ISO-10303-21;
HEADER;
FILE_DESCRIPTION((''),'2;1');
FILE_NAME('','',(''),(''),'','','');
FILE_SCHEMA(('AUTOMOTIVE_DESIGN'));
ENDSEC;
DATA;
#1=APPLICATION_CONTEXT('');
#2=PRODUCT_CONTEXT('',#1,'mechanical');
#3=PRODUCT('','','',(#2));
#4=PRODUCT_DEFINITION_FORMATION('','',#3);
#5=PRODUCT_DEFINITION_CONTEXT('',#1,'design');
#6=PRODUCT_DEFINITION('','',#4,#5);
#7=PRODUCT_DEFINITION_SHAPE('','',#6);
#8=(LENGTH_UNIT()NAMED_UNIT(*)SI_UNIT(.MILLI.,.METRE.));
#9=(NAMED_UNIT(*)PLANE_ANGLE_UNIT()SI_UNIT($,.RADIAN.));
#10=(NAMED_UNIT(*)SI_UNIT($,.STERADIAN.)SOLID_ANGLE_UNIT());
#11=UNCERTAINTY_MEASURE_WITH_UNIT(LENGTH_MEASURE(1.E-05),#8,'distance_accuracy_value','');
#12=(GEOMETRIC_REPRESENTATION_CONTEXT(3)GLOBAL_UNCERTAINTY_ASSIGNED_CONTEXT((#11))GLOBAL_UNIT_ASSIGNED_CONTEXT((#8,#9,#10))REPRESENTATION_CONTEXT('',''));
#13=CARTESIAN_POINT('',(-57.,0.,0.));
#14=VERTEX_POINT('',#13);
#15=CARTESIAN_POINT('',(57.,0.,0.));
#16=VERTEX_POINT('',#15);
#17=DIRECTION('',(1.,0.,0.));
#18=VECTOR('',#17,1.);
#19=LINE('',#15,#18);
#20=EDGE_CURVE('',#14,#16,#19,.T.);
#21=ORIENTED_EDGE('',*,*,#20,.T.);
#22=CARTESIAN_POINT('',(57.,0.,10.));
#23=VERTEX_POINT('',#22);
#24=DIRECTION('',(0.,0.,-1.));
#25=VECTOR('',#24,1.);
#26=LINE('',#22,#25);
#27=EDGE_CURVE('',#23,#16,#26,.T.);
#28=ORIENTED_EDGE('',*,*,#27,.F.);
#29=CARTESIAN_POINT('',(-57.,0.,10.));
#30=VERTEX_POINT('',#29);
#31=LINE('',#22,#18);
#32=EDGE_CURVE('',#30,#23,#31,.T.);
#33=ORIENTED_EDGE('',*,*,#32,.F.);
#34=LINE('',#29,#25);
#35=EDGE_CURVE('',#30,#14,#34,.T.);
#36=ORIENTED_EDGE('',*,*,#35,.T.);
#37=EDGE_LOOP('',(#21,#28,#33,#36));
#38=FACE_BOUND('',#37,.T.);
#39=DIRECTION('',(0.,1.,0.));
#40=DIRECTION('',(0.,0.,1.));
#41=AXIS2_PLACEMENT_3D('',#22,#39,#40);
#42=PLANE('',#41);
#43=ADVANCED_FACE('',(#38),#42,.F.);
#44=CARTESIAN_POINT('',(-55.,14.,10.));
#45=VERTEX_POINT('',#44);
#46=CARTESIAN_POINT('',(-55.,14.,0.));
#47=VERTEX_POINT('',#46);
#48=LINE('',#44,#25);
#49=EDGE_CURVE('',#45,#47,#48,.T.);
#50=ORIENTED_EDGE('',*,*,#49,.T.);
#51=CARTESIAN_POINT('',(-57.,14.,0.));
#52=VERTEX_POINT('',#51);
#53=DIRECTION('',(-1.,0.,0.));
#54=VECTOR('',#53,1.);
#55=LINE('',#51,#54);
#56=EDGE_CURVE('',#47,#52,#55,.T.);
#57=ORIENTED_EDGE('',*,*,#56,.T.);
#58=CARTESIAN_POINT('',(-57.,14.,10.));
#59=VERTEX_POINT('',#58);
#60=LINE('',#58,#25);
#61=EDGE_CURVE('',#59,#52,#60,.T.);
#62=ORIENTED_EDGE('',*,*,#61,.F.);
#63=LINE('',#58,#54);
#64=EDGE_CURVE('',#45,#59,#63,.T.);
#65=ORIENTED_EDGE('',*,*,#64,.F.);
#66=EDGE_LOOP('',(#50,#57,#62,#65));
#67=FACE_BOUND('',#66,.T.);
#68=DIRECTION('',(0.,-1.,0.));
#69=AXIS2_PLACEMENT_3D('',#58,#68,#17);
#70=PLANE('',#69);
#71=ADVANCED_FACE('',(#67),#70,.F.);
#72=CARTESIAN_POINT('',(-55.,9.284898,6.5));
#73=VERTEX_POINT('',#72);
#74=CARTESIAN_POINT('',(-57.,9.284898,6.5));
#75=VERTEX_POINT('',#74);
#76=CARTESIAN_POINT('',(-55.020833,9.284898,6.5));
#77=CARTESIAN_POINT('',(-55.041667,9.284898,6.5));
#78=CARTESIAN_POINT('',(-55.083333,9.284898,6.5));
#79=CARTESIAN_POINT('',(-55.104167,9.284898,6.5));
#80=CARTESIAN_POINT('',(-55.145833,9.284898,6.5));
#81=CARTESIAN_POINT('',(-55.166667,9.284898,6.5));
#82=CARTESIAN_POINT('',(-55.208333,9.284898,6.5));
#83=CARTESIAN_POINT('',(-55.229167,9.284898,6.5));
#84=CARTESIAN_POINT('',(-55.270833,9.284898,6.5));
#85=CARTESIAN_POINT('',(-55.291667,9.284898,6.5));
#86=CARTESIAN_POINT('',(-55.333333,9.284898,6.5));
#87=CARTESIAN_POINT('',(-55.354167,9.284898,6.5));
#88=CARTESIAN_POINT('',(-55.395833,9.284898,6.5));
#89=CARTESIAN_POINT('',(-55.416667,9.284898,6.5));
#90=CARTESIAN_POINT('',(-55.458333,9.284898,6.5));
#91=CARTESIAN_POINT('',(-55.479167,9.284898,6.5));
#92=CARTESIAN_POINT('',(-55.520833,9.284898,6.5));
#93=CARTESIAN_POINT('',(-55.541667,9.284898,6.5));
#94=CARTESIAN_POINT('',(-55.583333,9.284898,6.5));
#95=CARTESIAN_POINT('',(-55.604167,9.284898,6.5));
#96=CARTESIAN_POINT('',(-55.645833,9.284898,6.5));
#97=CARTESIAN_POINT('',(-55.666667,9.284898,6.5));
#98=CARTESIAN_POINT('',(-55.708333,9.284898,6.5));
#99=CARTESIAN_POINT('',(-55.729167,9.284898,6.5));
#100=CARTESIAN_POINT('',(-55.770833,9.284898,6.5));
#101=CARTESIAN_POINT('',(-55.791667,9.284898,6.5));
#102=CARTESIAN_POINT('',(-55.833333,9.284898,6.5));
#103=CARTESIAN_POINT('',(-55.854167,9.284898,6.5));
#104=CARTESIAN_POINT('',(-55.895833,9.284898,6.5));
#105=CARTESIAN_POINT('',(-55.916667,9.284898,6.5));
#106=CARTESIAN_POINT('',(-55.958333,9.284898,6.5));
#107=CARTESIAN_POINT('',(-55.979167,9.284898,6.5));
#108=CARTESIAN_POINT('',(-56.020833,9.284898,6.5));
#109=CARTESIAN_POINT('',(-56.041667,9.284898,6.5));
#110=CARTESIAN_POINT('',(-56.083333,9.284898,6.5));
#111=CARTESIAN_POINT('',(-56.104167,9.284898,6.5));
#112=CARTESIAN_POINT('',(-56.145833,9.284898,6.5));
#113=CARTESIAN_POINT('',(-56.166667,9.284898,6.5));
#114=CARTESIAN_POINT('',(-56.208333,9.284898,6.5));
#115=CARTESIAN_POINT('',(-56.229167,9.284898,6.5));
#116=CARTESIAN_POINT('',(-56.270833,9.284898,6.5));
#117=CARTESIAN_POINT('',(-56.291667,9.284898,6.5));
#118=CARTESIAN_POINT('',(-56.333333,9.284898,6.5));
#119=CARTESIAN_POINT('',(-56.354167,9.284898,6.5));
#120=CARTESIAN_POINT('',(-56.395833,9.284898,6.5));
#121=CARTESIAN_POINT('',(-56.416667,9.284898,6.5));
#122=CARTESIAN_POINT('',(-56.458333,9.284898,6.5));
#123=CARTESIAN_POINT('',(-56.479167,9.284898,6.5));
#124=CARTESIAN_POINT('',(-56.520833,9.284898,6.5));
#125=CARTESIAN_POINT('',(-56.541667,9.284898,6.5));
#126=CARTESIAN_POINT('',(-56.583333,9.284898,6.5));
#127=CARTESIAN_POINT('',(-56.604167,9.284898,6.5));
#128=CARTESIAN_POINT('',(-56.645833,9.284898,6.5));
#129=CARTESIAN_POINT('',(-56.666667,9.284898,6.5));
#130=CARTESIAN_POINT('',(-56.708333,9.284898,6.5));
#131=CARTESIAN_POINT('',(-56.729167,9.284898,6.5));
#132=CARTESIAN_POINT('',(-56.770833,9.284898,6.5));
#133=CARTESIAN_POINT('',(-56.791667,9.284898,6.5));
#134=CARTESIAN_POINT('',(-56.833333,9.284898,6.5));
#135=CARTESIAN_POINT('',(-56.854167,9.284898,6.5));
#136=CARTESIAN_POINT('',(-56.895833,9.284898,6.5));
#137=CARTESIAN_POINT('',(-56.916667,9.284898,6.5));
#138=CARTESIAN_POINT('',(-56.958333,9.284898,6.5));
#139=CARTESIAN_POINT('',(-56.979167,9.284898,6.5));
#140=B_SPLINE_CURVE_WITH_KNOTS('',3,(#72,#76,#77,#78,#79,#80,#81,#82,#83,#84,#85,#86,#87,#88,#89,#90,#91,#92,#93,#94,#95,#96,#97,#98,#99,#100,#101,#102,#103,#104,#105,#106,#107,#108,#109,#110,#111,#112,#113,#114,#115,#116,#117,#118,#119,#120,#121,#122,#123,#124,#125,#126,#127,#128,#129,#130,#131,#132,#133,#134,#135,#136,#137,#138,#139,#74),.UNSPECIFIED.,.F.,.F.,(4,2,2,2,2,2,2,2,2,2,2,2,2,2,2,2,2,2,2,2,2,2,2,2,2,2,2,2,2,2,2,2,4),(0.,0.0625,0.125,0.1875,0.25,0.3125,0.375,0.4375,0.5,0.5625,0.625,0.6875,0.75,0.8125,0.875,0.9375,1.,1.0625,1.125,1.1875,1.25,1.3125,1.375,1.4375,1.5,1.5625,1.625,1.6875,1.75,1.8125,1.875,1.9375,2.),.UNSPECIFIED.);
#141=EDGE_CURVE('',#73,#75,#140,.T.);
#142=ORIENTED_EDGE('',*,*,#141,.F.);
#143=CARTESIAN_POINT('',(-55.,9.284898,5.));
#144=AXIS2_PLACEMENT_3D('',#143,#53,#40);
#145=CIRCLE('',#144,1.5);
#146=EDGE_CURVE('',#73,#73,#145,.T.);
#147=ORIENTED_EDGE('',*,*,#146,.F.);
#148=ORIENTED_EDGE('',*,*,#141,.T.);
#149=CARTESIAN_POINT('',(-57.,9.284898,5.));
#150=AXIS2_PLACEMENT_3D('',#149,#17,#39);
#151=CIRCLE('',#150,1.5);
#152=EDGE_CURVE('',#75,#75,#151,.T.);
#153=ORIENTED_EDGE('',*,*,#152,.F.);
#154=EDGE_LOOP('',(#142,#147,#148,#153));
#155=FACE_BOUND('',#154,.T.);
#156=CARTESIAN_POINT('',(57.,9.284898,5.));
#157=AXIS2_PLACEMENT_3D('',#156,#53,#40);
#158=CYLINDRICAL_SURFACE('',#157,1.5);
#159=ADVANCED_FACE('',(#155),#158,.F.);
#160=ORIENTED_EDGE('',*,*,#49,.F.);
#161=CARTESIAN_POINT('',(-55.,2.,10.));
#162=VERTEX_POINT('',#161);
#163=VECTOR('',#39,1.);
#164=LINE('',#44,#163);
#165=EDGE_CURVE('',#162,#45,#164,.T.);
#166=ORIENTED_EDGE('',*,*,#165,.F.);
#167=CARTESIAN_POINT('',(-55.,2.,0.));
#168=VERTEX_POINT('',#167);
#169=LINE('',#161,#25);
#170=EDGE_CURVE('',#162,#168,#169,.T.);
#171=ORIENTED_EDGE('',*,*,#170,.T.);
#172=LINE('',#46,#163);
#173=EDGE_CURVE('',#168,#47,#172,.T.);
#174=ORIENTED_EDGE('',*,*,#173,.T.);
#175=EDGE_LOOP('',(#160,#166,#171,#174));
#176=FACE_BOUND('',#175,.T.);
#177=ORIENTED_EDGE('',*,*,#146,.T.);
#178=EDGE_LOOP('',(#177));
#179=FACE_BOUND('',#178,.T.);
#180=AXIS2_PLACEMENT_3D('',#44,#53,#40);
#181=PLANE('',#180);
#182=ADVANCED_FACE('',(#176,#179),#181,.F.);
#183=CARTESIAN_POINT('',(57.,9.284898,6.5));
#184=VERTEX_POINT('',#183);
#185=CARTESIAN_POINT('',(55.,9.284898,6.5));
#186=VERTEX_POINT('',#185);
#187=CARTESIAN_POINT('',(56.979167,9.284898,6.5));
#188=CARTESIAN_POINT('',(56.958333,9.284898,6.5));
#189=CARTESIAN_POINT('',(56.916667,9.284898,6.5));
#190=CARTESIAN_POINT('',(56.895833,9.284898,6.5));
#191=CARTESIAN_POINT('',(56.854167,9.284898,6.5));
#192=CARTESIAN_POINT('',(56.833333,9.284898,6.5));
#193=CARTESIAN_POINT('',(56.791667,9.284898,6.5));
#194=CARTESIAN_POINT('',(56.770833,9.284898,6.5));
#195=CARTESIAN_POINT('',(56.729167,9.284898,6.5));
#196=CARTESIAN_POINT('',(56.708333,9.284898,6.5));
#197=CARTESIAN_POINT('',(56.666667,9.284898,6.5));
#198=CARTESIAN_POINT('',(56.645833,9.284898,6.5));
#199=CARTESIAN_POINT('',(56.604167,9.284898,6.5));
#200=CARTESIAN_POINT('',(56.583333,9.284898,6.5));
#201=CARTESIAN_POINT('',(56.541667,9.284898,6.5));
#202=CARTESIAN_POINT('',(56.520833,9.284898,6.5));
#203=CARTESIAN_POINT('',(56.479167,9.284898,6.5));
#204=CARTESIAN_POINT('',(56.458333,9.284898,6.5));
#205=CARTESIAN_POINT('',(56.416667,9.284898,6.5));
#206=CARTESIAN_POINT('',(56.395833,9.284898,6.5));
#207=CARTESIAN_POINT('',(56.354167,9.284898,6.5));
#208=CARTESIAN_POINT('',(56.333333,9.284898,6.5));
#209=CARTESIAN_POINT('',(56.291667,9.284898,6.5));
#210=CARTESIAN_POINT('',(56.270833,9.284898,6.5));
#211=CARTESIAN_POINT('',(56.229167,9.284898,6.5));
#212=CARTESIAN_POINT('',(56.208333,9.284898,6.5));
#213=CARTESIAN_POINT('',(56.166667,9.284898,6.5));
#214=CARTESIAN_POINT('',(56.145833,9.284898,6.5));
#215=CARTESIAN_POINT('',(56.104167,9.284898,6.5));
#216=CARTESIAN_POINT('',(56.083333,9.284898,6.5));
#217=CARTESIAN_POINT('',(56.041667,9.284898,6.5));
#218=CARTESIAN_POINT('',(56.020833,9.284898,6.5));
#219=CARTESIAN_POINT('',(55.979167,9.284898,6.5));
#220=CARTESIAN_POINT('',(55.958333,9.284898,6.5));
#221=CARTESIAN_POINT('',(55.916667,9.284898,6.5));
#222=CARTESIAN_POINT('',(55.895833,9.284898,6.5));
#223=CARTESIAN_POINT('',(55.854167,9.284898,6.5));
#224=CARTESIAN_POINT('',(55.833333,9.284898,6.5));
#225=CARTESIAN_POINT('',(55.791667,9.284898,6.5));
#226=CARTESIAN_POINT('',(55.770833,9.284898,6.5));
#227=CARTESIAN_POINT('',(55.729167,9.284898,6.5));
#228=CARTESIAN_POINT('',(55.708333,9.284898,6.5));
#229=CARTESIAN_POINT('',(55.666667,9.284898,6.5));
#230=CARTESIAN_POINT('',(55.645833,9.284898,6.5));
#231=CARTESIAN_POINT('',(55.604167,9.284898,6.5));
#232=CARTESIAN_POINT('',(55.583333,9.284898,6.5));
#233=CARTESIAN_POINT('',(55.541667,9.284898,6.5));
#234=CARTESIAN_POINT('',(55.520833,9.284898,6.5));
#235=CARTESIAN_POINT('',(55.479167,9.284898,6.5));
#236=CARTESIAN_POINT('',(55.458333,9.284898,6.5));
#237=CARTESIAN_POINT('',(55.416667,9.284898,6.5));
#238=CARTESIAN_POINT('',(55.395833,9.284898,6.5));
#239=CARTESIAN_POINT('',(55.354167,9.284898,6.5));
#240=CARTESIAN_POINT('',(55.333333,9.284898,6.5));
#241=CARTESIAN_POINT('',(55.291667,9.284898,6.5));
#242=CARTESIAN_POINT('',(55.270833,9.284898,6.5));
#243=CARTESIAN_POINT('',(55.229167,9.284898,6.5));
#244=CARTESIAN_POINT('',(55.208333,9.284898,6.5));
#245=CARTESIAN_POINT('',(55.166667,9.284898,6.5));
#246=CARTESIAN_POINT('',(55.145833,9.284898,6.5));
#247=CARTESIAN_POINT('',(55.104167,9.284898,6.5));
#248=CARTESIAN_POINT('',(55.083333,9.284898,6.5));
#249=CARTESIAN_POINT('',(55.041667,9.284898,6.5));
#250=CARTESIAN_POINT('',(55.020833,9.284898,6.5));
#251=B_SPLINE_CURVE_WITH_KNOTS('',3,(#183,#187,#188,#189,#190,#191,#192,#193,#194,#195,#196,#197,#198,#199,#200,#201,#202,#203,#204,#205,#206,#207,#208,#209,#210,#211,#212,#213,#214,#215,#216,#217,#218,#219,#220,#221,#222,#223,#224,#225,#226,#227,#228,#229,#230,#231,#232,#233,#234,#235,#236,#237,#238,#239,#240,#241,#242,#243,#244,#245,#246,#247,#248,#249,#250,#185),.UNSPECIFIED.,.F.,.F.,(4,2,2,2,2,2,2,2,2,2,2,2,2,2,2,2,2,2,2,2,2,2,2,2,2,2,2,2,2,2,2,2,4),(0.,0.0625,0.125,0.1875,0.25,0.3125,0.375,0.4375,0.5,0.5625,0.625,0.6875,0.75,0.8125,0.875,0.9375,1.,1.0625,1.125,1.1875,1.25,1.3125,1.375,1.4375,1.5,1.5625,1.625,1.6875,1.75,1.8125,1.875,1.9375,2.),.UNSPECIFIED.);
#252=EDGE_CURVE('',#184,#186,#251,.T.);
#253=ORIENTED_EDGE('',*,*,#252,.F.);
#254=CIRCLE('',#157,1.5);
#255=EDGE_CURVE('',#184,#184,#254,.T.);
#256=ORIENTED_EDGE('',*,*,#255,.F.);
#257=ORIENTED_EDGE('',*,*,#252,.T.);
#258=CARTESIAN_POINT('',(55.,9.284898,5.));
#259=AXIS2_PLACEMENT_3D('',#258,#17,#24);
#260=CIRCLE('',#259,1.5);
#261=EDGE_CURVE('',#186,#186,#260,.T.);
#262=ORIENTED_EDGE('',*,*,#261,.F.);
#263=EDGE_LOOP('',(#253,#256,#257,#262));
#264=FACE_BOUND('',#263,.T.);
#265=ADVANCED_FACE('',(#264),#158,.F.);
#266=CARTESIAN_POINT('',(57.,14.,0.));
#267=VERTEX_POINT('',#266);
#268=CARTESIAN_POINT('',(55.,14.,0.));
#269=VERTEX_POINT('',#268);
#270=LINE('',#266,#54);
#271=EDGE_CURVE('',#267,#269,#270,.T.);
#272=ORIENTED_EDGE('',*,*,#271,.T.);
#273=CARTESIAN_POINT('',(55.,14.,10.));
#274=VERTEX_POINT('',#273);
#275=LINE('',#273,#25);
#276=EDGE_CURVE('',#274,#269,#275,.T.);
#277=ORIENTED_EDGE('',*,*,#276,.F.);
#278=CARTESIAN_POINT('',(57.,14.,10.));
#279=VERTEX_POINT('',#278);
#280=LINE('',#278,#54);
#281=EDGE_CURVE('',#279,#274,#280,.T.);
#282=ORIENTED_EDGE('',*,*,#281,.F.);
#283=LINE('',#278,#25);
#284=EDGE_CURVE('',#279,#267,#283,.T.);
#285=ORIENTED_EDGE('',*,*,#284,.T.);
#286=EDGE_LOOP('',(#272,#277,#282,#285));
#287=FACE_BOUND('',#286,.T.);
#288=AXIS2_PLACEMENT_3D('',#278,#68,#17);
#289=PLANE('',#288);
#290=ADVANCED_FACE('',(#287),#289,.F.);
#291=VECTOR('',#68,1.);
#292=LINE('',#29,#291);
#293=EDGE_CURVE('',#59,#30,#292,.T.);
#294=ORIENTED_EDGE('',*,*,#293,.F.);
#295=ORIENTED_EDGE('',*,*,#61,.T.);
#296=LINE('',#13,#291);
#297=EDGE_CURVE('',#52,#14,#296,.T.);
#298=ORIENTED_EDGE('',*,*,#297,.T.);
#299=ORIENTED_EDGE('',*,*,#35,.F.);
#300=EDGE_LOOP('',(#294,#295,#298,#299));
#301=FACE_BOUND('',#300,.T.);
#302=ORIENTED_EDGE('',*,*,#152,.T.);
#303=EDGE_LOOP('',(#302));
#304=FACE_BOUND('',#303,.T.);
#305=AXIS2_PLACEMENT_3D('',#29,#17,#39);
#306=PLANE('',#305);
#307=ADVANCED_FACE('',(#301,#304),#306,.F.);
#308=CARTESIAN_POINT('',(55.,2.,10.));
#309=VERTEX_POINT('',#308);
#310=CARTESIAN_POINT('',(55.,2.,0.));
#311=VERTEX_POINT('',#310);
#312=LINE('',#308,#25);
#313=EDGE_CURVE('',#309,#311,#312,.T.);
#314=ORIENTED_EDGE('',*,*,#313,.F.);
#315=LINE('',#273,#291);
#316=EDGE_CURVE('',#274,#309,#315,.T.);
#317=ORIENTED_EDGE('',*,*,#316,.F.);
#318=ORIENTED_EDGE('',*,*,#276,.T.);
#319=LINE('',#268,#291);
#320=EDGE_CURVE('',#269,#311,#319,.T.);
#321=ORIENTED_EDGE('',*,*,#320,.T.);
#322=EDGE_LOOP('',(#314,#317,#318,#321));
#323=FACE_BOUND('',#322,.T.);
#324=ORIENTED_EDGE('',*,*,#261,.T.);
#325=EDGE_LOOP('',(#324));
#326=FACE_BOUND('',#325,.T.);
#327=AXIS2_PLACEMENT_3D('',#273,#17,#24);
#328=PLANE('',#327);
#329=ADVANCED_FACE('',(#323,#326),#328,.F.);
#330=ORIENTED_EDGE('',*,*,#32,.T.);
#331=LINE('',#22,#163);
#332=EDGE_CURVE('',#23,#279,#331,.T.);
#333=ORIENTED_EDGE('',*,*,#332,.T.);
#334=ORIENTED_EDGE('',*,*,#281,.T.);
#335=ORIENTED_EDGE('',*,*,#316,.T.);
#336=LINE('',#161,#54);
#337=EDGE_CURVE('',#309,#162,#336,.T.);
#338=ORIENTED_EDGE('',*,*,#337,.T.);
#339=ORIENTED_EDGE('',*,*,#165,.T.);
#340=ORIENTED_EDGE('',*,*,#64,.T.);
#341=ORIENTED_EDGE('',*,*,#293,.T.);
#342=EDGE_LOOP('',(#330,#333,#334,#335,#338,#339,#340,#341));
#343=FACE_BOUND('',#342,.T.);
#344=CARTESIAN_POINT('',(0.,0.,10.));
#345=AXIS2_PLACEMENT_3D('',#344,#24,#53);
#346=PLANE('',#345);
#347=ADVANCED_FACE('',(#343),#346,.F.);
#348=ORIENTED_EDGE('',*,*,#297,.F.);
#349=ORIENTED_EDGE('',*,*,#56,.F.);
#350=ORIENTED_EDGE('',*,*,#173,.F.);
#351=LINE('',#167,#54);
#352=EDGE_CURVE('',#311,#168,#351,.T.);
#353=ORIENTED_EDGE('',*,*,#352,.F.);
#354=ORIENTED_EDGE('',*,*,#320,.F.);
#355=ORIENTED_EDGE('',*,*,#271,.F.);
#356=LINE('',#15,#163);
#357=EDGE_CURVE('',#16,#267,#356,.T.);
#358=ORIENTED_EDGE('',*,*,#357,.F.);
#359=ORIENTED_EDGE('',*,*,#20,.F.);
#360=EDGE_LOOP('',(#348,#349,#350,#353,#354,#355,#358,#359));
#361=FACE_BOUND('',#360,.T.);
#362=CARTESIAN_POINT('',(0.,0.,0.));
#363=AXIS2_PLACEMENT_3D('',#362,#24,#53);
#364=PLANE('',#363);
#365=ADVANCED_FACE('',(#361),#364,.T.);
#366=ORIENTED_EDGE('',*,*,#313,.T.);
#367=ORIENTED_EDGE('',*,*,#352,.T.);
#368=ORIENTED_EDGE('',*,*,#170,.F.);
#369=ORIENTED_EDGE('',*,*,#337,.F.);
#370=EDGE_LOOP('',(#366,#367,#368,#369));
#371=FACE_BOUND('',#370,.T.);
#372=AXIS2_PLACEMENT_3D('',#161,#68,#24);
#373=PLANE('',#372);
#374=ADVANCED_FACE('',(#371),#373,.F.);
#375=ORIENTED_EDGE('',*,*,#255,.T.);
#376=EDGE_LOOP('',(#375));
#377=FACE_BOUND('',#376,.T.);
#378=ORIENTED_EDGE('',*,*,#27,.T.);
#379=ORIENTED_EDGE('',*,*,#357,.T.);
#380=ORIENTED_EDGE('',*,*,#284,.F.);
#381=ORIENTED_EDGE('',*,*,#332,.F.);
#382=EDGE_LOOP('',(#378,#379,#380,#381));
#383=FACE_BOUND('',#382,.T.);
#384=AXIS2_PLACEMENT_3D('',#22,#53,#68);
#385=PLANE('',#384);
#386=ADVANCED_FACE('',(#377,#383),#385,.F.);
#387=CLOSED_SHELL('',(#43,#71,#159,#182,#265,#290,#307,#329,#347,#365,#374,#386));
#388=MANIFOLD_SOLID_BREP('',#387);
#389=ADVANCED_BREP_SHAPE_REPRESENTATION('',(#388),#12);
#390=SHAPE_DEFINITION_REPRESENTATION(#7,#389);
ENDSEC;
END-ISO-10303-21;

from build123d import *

# Parameters (mm, degrees)
BOSS_EXTRU_1_DEPTH           = 10
ENL_V_MAT_EXTRU_1_DEPTH      = 116.290936331
ENL_V_MAT_EXTRU_1_DEPTH_BACK = 116.290936331
ESQUISSE2_R                  = 1.5


with BuildPart() as part:
    # Esquisse1 → Boss.-Extru.1 (new body)
    with BuildSketch(Plane.XY):
        Polygon((57, 0), (-57, 0), (-57, 14), (-55, 14), (-55, 2), (55, 2), (55, 14), (57, 14), align=None)
    extrude(amount=BOSS_EXTRU_1_DEPTH)

    # Esquisse2 → Enlèv. mat.-Extru.1 (cut, two sides: drawn at the far end of the back side and taken through both)
    with BuildSketch(Plane.ZY.offset(57).offset(-ENL_V_MAT_EXTRU_1_DEPTH_BACK)):
        with Locations((5, 9.284897648)):
            Circle(ESQUISSE2_R)
    extrude(amount=ENL_V_MAT_EXTRU_1_DEPTH + ENL_V_MAT_EXTRU_1_DEPTH_BACK, mode=Mode.SUBTRACT)


solid = part.part
